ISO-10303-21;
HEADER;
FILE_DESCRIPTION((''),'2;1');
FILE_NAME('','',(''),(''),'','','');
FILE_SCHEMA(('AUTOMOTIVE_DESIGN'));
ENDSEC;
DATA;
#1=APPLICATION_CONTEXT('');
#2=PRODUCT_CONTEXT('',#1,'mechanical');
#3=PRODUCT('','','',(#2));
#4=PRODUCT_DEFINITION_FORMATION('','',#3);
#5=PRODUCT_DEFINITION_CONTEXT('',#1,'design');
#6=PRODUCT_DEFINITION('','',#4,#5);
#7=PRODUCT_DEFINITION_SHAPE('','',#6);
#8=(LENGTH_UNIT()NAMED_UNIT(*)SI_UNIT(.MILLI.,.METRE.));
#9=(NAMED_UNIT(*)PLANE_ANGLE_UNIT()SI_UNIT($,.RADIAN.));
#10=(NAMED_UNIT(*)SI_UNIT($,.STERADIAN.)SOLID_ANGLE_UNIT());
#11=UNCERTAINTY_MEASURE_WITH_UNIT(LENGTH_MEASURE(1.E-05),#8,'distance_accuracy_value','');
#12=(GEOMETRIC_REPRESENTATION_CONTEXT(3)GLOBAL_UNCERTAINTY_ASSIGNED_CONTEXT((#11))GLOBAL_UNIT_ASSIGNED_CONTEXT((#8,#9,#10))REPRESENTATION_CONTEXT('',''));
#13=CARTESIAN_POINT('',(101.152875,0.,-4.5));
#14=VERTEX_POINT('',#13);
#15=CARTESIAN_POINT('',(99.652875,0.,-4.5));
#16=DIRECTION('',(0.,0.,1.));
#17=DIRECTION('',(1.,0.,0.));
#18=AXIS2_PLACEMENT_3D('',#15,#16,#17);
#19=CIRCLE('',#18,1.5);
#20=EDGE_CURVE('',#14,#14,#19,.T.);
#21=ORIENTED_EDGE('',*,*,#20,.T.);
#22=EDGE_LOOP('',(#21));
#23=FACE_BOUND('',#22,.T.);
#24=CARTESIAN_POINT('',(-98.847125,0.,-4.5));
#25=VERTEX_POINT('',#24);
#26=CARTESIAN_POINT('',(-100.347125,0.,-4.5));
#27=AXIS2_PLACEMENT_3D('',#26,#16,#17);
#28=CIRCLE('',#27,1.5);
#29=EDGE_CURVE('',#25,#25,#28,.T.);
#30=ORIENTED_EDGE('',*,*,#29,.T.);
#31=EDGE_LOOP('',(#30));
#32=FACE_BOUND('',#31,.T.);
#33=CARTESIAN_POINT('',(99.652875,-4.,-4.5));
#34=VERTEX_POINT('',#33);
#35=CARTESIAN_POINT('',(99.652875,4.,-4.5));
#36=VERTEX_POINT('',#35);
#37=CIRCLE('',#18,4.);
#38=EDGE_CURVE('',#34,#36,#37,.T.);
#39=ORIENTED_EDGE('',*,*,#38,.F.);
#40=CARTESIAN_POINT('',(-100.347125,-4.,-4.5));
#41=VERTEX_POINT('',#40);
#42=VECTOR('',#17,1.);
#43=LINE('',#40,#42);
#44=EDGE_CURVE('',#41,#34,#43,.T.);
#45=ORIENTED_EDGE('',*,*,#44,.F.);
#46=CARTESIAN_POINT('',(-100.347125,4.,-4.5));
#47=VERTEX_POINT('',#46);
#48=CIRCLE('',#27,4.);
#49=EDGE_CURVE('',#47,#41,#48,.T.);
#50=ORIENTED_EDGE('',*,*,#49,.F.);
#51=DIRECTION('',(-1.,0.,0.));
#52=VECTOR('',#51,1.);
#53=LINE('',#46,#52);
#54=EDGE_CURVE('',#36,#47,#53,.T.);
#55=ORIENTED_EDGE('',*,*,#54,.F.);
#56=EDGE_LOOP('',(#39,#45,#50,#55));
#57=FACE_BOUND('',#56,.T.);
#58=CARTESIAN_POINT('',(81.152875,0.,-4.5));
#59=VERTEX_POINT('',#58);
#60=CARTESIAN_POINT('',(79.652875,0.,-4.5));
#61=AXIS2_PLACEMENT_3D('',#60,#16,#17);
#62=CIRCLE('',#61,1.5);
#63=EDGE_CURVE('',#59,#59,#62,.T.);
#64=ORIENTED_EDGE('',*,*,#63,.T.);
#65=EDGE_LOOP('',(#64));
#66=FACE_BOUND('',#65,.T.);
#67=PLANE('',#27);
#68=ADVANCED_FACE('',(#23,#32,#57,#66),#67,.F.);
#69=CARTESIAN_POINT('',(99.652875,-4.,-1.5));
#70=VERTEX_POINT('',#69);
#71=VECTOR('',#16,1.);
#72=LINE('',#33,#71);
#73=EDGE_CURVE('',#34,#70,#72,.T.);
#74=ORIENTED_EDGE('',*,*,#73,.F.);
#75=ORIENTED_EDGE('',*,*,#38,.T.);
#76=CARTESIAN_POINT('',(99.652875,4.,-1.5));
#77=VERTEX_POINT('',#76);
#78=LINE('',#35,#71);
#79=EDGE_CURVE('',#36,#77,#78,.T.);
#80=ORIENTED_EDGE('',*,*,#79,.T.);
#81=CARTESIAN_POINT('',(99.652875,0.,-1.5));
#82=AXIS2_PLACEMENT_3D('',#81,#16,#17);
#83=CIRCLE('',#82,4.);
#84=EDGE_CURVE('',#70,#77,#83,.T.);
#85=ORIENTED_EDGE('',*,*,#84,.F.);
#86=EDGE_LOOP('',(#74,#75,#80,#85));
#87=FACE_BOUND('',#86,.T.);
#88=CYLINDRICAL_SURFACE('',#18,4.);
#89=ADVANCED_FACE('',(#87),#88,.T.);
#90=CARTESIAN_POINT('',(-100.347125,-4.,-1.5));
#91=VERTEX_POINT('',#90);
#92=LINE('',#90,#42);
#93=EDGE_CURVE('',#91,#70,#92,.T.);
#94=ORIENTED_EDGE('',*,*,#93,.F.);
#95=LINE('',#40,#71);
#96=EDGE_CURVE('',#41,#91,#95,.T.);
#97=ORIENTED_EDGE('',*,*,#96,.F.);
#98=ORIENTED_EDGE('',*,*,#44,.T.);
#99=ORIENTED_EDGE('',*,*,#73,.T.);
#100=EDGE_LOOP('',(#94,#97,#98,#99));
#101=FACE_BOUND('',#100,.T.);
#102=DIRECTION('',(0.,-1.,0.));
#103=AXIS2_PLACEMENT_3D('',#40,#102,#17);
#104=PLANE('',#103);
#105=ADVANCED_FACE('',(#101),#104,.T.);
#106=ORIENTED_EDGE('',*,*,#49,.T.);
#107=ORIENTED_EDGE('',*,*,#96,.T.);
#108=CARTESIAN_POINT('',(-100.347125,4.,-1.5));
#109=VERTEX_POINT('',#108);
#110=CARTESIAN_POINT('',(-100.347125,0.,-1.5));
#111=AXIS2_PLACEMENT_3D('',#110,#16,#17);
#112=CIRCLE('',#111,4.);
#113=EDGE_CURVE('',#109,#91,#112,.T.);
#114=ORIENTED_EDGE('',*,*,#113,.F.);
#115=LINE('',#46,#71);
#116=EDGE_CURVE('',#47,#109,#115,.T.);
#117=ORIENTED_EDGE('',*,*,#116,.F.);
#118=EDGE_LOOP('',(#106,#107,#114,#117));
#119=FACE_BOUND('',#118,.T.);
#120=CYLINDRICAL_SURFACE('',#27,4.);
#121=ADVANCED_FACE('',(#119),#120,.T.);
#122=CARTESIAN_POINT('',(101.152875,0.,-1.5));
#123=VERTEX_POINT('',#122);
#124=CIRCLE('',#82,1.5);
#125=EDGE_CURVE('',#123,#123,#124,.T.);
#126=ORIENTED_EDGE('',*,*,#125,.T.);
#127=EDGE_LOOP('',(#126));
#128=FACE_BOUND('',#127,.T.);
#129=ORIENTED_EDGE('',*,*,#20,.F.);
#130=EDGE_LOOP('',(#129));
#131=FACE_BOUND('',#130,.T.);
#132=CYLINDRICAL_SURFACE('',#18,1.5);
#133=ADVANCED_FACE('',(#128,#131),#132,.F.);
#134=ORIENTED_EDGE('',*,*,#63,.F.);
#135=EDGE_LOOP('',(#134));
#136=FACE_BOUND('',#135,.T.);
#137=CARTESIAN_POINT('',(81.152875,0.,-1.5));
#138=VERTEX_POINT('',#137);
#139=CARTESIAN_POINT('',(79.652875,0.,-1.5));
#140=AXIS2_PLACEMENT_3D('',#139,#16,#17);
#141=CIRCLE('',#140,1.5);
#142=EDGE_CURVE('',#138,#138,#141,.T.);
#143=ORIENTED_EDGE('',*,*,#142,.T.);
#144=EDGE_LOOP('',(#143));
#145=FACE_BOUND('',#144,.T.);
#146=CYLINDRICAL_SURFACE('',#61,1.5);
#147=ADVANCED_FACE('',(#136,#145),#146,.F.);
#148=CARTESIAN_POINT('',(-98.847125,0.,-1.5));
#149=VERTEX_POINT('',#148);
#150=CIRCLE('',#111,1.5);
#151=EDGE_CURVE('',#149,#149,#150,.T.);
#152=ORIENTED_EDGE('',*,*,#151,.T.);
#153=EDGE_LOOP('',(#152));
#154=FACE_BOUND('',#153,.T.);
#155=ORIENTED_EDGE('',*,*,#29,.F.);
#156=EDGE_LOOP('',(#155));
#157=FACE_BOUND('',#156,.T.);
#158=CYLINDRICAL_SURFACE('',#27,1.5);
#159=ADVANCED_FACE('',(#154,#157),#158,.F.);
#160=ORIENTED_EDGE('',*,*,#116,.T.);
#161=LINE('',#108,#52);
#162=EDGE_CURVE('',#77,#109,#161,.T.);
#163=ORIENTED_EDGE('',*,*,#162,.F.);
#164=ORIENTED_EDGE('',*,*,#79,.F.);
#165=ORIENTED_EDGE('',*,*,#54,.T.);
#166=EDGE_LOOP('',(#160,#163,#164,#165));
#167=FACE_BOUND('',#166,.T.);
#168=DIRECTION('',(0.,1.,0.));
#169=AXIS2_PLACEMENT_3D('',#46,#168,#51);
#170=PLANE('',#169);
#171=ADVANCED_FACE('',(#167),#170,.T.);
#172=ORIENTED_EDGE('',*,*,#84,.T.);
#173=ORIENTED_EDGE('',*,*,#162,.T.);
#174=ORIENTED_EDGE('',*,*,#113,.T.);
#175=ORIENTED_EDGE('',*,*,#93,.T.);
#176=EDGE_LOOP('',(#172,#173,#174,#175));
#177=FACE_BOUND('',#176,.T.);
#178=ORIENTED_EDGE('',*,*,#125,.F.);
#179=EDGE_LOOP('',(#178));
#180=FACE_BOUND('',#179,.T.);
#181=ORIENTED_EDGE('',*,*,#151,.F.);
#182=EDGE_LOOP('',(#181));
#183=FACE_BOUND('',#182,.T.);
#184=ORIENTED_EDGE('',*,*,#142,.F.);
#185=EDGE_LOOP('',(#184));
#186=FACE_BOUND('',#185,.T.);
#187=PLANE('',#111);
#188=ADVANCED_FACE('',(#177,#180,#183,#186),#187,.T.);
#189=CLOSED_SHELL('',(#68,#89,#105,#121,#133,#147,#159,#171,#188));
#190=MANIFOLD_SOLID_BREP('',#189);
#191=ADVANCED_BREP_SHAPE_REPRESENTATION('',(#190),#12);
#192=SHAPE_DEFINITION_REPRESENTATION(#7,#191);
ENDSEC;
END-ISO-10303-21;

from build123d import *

# Parameters (mm, degrees)
SKETCH1_R           = 3
BOSS_EXTRUDE1_DEPTH = 6
SCALE1_SCALE        = 0.5


with BuildPart() as part:
    # Sketch1 → Boss-Extrude1 (new body)
    with BuildSketch(Plane.XY):
        with BuildLine():
            Line((-200, 8), (200, 8))
            ThreePointArc((200, 8), (208, 0), (200, -8))
            Line((200, -8), (-200, -8))
            ThreePointArc((-200, -8), (-208, 0), (-200, 8))
        make_face()
        with Locations((-200, 0)):
            Circle(SKETCH1_R, mode=Mode.SUBTRACT)
        with Locations((200, 0)):
            Circle(SKETCH1_R, mode=Mode.SUBTRACT)
        with Locations((160, 0)):
            Circle(SKETCH1_R, mode=Mode.SUBTRACT)
    extrude(amount=-BOSS_EXTRUDE1_DEPTH)


with BuildPart() as part_1:
    # Scale1: scaled about (-0.694249163, 0, -3)
    add(part.part.scale(SCALE1_SCALE).moved(Location((-0.347124581, 0, -1.5))))


solid = part_1.part
